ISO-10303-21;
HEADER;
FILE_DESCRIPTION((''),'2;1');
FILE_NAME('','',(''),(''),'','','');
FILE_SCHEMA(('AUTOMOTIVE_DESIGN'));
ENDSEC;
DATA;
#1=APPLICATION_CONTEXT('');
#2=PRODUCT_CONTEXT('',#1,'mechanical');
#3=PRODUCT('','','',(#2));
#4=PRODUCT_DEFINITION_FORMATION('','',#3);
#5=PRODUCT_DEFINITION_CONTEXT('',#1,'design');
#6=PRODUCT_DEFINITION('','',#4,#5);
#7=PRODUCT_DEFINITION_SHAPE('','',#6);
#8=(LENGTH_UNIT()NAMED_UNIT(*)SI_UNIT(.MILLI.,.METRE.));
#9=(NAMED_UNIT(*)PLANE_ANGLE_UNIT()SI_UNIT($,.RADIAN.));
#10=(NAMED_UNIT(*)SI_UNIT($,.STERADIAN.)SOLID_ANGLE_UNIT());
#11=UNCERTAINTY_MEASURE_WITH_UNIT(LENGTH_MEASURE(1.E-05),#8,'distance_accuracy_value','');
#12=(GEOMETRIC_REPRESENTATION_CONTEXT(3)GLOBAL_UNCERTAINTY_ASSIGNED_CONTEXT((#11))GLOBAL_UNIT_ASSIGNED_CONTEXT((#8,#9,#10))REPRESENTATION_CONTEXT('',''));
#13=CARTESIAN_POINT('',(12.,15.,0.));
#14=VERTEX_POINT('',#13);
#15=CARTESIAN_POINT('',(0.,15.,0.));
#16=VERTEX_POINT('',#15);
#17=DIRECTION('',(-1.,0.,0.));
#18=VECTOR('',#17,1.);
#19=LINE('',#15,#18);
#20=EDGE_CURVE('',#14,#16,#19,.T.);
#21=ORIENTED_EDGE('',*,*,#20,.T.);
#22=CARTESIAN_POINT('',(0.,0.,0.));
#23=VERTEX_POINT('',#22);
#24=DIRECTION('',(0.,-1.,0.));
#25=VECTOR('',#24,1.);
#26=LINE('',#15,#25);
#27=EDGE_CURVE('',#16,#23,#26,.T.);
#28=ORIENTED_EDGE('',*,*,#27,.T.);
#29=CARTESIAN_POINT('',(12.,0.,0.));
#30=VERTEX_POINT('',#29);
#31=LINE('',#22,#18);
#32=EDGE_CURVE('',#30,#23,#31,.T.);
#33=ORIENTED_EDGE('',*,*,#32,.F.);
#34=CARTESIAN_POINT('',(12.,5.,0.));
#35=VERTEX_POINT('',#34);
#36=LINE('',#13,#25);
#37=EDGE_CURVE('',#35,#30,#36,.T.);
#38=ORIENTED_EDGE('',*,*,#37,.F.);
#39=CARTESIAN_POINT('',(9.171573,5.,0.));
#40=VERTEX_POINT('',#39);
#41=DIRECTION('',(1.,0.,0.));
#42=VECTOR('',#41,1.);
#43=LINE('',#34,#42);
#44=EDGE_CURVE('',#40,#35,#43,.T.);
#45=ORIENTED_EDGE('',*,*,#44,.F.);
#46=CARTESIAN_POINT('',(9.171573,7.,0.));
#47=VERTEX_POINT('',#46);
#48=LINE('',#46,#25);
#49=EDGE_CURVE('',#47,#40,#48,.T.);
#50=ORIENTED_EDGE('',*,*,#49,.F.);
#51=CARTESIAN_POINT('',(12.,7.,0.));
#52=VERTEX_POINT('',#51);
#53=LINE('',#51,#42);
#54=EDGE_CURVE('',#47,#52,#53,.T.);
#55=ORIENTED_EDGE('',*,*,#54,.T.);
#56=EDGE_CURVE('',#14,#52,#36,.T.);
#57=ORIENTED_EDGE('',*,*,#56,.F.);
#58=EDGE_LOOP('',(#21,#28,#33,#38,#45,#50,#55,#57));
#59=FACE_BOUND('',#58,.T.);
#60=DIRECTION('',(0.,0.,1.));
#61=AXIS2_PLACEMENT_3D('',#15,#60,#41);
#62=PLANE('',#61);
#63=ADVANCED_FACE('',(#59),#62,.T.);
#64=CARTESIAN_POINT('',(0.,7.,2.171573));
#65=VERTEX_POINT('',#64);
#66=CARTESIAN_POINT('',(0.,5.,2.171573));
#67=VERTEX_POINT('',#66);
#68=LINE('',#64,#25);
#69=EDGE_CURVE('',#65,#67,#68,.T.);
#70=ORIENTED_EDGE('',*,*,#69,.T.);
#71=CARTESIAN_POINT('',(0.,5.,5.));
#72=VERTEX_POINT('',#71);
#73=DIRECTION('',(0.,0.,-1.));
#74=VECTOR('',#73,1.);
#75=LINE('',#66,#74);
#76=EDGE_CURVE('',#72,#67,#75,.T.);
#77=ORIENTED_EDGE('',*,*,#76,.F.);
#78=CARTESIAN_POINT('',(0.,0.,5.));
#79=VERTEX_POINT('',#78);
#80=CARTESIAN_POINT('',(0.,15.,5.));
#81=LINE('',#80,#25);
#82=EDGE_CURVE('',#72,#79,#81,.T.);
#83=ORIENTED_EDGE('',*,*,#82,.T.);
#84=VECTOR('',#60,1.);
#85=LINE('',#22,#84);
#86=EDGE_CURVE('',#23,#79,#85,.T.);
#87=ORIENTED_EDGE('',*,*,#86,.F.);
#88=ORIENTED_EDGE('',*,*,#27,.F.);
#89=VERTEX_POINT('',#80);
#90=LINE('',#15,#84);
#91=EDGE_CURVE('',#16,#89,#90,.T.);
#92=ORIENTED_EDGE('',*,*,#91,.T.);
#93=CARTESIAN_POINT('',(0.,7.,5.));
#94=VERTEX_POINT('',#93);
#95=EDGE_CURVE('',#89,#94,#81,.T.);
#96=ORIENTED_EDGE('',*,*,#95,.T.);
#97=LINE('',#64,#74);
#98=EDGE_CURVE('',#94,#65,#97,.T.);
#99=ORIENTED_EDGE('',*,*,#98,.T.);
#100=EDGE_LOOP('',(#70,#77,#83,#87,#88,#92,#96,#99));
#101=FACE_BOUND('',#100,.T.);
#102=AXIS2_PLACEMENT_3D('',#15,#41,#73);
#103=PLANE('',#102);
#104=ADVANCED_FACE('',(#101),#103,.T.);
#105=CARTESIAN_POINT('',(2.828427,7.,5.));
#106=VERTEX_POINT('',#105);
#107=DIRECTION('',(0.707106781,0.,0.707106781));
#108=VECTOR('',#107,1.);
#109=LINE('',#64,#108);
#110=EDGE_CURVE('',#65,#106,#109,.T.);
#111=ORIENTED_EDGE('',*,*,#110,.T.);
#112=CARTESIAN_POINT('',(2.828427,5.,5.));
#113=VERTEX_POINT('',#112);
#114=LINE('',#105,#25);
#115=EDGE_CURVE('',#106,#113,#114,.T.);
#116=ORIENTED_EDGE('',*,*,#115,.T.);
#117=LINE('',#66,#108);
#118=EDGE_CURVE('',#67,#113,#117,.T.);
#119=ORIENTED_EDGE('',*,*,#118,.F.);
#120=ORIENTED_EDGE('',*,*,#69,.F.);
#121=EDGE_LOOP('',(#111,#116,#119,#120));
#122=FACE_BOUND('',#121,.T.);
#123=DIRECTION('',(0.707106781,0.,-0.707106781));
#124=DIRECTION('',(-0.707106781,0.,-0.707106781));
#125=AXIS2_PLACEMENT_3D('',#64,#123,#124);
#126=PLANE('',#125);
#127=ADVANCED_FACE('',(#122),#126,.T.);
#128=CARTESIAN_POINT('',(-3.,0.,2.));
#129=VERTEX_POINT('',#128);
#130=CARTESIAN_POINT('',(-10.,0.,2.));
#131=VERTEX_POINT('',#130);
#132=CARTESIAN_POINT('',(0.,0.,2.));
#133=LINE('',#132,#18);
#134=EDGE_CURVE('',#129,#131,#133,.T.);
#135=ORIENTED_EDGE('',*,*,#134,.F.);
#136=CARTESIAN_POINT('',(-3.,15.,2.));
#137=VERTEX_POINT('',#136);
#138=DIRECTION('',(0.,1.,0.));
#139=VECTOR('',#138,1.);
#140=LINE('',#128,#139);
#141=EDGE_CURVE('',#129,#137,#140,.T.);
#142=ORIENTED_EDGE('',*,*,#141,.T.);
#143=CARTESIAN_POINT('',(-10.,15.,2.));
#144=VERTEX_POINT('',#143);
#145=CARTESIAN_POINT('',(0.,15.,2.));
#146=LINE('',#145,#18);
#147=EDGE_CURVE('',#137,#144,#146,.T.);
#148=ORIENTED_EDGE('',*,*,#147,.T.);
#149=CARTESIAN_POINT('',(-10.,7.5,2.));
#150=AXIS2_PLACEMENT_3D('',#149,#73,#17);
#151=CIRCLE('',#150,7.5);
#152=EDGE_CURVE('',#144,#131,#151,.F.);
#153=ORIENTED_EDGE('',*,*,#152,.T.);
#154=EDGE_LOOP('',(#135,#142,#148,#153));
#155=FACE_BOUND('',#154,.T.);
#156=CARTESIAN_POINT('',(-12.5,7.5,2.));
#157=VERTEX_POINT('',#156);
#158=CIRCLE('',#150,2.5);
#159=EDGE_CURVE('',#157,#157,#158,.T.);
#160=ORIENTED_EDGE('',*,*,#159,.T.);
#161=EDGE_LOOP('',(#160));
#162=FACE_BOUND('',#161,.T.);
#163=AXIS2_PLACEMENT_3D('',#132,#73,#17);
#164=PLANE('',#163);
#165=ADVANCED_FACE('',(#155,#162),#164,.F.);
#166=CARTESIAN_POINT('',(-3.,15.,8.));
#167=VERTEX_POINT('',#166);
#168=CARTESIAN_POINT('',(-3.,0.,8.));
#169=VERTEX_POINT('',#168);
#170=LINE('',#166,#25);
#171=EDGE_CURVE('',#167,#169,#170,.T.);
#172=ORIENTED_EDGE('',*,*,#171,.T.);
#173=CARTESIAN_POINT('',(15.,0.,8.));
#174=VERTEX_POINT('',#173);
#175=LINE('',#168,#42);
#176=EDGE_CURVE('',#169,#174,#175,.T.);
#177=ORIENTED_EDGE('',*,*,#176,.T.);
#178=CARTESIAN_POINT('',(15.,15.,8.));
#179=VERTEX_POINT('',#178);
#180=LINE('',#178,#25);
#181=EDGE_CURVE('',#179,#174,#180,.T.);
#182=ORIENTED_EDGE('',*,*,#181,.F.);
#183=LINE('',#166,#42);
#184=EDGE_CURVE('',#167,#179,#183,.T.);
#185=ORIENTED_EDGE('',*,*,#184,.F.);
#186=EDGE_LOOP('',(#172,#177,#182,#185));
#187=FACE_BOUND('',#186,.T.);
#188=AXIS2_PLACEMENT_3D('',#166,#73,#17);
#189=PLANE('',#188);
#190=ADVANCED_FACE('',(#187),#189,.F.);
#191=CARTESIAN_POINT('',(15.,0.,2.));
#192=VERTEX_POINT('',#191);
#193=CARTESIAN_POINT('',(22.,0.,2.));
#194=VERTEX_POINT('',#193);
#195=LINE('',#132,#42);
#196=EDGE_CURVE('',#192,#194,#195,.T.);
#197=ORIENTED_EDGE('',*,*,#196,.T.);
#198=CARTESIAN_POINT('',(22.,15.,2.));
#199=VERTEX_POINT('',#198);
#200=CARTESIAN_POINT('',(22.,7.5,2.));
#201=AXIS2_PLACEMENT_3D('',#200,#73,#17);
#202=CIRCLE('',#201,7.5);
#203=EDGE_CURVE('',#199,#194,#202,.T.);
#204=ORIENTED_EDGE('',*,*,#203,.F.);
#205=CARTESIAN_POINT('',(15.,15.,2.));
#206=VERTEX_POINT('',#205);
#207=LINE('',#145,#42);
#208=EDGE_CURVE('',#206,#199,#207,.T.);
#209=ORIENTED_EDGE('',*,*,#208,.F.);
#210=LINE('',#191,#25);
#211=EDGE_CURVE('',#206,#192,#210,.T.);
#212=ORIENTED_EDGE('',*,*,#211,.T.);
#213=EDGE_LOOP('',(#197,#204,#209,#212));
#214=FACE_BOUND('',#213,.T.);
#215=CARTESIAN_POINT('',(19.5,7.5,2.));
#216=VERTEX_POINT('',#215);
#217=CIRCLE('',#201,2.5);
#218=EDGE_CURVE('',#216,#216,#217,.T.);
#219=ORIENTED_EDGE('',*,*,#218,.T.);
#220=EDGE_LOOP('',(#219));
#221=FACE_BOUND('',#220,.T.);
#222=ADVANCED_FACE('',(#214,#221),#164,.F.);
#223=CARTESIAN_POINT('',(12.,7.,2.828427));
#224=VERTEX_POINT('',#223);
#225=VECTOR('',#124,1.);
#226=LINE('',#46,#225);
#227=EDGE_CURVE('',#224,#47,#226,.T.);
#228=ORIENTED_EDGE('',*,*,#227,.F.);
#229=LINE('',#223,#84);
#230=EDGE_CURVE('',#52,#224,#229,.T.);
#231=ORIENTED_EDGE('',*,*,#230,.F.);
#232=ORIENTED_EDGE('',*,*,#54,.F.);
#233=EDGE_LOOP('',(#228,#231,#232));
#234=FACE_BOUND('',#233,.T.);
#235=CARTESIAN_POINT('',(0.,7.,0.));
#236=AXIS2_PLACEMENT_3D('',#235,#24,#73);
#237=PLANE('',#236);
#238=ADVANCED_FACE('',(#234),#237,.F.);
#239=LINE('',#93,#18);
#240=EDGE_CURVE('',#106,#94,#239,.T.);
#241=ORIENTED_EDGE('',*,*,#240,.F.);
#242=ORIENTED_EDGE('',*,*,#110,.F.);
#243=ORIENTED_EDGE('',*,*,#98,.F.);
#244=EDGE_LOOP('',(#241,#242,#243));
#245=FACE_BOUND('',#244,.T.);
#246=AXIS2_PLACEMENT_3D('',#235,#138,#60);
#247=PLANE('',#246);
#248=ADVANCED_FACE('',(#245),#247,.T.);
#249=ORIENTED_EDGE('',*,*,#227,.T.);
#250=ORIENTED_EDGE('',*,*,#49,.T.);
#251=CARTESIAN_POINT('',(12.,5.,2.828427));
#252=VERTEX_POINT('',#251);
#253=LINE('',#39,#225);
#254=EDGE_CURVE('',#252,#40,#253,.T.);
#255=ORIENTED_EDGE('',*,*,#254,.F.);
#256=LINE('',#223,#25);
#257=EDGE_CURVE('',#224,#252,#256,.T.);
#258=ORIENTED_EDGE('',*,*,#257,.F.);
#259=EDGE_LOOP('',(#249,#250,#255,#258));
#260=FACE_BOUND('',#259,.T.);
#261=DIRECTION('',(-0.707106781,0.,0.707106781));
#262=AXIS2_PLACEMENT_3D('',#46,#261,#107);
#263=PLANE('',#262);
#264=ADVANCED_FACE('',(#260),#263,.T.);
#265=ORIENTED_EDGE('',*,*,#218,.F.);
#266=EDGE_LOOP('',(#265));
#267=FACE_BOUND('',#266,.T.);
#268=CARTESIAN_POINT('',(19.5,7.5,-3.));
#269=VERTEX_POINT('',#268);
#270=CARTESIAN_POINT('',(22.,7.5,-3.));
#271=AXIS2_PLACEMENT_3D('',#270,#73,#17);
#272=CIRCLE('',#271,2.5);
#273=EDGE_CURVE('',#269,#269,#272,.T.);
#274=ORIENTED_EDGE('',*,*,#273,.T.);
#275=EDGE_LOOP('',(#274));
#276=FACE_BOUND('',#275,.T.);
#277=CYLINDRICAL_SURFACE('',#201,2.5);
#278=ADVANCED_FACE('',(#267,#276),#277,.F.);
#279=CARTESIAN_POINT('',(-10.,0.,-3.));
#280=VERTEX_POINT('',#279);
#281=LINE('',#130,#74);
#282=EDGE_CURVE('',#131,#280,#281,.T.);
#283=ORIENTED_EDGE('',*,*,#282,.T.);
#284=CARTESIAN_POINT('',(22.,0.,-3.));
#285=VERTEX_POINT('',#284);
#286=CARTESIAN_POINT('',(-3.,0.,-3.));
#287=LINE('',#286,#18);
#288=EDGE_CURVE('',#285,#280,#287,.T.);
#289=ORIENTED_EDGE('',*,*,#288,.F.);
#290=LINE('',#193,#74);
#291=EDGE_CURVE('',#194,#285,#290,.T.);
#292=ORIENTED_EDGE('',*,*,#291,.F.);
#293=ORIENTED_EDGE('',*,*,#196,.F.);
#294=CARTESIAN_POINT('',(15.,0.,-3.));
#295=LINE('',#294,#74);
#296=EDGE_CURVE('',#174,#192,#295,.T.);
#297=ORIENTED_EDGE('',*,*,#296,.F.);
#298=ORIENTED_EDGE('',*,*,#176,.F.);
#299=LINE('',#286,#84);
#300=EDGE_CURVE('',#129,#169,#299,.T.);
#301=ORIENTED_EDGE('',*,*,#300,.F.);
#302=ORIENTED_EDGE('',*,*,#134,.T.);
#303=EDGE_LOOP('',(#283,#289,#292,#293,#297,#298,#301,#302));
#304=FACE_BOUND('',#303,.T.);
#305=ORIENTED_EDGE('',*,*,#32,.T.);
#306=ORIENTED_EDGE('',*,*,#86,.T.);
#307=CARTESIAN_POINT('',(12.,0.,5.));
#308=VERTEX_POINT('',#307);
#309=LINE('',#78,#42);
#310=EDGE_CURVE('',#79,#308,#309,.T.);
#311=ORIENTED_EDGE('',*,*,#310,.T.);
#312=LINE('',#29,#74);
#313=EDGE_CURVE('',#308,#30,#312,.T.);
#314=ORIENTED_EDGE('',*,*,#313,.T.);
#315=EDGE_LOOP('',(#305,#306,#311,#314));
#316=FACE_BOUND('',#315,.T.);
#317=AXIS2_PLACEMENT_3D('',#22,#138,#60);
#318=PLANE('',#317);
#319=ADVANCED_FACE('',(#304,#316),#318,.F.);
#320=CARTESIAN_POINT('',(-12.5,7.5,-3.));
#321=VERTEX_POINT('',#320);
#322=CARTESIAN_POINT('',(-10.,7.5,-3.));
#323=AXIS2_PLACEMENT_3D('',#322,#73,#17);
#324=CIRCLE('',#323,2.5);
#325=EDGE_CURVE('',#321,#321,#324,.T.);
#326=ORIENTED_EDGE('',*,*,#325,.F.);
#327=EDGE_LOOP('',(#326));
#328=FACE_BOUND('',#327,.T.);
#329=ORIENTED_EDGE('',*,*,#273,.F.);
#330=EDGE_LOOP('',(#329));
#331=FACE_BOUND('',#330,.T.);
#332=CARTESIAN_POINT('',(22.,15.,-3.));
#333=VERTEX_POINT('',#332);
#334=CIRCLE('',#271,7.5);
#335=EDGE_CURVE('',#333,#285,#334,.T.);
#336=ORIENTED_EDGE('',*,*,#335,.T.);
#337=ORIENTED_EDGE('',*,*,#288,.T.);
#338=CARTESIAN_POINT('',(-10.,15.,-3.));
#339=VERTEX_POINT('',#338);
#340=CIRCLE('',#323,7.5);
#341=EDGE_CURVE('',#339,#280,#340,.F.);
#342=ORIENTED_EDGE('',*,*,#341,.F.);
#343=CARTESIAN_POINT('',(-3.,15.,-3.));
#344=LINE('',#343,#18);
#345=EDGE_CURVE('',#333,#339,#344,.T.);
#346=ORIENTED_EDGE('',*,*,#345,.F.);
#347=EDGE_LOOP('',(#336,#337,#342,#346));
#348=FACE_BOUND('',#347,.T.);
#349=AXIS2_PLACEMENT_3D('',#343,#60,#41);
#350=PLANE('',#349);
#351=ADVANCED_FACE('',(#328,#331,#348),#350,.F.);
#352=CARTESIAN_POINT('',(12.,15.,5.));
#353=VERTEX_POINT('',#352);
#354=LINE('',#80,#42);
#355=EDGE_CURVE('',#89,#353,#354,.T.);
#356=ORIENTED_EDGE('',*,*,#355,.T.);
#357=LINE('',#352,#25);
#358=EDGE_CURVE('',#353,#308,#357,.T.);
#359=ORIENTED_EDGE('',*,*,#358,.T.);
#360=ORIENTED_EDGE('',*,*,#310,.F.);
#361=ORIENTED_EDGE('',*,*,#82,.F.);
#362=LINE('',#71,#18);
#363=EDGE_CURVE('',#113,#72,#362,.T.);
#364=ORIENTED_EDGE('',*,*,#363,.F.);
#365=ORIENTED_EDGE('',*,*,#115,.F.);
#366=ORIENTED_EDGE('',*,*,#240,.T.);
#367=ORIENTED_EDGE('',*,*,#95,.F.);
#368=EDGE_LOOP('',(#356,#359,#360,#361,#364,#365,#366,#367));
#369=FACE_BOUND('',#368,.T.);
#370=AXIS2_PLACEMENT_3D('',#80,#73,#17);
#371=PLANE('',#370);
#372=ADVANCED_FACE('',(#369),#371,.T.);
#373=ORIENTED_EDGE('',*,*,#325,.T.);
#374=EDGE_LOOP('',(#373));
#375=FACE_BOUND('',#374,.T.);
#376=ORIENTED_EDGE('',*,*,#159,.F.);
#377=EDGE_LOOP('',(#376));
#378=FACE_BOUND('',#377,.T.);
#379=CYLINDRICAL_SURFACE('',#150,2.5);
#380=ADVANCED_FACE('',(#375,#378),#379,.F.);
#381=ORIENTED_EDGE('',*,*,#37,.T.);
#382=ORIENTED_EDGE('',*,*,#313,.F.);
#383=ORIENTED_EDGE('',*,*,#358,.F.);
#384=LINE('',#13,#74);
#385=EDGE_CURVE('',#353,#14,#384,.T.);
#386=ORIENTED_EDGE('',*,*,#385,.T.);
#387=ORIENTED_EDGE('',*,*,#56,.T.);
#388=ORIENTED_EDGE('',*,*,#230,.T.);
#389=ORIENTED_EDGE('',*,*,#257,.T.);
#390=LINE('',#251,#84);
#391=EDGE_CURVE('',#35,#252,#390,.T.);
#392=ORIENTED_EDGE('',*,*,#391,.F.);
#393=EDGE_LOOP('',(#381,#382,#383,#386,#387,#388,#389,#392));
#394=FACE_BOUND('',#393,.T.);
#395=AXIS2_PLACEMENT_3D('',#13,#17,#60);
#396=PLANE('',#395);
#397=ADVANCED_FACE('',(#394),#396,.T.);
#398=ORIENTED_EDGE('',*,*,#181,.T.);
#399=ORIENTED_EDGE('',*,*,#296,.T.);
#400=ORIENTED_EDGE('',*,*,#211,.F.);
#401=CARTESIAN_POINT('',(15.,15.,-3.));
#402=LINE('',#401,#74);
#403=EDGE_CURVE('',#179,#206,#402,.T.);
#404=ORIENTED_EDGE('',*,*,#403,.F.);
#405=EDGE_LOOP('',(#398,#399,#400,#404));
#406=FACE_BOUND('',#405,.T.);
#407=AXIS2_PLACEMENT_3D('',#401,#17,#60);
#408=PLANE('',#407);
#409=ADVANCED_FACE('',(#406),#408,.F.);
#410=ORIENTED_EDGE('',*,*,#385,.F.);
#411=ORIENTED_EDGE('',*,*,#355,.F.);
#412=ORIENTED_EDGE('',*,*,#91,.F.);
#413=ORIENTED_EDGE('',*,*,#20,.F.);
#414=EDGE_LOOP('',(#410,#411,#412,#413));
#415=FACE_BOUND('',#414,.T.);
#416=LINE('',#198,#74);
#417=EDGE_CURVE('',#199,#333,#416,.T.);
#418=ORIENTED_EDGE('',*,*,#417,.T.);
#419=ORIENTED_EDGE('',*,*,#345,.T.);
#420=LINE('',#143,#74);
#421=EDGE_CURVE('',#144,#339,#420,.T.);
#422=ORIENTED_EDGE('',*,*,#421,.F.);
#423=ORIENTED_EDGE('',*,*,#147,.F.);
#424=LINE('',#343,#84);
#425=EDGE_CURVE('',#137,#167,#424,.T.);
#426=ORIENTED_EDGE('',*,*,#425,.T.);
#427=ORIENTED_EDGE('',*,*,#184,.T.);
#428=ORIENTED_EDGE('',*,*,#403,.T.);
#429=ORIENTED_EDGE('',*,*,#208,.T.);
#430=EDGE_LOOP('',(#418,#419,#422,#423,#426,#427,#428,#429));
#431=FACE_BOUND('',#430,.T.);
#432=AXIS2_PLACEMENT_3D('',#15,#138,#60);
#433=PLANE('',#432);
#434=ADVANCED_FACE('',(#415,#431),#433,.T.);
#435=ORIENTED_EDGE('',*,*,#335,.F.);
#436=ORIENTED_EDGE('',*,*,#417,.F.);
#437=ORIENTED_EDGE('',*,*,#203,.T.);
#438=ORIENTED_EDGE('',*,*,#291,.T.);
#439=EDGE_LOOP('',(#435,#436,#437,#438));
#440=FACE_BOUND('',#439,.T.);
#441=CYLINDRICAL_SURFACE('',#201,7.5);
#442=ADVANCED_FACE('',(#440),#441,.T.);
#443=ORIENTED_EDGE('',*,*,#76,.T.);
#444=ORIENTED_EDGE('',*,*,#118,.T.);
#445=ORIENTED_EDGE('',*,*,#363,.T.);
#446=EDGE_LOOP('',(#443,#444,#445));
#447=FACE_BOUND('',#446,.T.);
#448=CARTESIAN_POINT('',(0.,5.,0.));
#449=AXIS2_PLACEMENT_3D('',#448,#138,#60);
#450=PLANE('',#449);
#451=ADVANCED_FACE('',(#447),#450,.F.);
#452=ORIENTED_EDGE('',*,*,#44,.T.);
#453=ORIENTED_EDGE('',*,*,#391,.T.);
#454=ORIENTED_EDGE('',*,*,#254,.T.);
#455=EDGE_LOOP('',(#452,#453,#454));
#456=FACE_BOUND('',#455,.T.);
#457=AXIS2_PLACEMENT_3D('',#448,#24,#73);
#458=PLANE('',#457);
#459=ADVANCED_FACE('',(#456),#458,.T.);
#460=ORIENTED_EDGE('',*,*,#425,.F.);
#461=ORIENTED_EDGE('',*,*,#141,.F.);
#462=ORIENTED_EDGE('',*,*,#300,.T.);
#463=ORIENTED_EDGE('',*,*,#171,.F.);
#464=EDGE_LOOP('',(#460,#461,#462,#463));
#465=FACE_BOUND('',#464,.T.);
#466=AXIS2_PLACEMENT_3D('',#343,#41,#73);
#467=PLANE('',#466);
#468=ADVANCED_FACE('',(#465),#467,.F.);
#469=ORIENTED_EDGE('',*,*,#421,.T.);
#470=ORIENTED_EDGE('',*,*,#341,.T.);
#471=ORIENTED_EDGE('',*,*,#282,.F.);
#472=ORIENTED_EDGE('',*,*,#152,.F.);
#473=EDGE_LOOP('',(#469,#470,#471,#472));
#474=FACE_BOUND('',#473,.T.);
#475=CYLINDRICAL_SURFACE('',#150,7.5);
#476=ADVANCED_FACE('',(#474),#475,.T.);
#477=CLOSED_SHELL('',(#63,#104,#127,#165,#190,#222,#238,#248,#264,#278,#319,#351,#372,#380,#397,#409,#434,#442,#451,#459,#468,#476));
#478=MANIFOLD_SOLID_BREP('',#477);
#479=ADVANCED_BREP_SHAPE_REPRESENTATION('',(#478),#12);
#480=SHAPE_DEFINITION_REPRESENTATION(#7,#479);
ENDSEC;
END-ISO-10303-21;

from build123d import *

# Parameters (mm, degrees)
SKETCH1_W           = 18
SKETCH1_H           = 11
SKETCH1_W_2         = 12
SKETCH1_H_2         = 5
BOSS_EXTRUDE1_DEPTH = 15
SKETCH2_R           = 2.5
BOSS_EXTRUDE2_DEPTH = 5
BOSS_EXTRUDE3_DEPTH = 2


with BuildPart() as part:
    # Sketch1 → Boss-Extrude1 (new body)
    with BuildSketch(Plane(origin=(0, 0, 0), x_dir=(1, 0, 0), z_dir=(0, 1, 0))):
        with Locations((6, -2.5)):
            Rectangle(SKETCH1_W, SKETCH1_H)
        with Locations((6, -2.5)):
            Rectangle(SKETCH1_W_2, SKETCH1_H_2, mode=Mode.SUBTRACT)
    extrude(amount=BOSS_EXTRUDE1_DEPTH)

    # Sketch2 → Boss-Extrude2 (add)
    with BuildSketch(Plane(origin=(0, 0, -3), x_dir=(-1, 0, 0), z_dir=(0, 0, -1))):
        with BuildLine():
            ThreePointArc((10, 15), (17.5, 7.5), (10, 0))
            Line((10, 0), (3, 0))
            Line((3, 0), (3, 15))
            Line((3, 15), (10, 15))
        make_face()
        with Locations((10, 7.5)):
            Circle(SKETCH2_R, mode=Mode.SUBTRACT)
        with BuildLine():
            Line((-15, 15), (-22, 15))
            ThreePointArc((-22, 15), (-29.5, 7.5), (-22, 0))
            Line((-22, 0), (-15, 0))
            Line((-15, 0), (-15, 15))
        make_face()
        with Locations((-22, 7.5)):
            Circle(SKETCH2_R, mode=Mode.SUBTRACT)
    extrude(amount=-BOSS_EXTRUDE2_DEPTH)

    # Sketch3 → Boss-Extrude3 (add)
    with BuildSketch(Plane(origin=(0, 5, 0), x_dir=(-1, 0, 0), z_dir=(0, -1, 0))):
        Polygon((-12, -2.828427125), (-12, 0), (-9.171572875, 0), align=None)
        Polygon((0, -2.171572875), (0, -5), (-2.828427125, -5), align=None)
    extrude(amount=-BOSS_EXTRUDE3_DEPTH)


solid = part.part
